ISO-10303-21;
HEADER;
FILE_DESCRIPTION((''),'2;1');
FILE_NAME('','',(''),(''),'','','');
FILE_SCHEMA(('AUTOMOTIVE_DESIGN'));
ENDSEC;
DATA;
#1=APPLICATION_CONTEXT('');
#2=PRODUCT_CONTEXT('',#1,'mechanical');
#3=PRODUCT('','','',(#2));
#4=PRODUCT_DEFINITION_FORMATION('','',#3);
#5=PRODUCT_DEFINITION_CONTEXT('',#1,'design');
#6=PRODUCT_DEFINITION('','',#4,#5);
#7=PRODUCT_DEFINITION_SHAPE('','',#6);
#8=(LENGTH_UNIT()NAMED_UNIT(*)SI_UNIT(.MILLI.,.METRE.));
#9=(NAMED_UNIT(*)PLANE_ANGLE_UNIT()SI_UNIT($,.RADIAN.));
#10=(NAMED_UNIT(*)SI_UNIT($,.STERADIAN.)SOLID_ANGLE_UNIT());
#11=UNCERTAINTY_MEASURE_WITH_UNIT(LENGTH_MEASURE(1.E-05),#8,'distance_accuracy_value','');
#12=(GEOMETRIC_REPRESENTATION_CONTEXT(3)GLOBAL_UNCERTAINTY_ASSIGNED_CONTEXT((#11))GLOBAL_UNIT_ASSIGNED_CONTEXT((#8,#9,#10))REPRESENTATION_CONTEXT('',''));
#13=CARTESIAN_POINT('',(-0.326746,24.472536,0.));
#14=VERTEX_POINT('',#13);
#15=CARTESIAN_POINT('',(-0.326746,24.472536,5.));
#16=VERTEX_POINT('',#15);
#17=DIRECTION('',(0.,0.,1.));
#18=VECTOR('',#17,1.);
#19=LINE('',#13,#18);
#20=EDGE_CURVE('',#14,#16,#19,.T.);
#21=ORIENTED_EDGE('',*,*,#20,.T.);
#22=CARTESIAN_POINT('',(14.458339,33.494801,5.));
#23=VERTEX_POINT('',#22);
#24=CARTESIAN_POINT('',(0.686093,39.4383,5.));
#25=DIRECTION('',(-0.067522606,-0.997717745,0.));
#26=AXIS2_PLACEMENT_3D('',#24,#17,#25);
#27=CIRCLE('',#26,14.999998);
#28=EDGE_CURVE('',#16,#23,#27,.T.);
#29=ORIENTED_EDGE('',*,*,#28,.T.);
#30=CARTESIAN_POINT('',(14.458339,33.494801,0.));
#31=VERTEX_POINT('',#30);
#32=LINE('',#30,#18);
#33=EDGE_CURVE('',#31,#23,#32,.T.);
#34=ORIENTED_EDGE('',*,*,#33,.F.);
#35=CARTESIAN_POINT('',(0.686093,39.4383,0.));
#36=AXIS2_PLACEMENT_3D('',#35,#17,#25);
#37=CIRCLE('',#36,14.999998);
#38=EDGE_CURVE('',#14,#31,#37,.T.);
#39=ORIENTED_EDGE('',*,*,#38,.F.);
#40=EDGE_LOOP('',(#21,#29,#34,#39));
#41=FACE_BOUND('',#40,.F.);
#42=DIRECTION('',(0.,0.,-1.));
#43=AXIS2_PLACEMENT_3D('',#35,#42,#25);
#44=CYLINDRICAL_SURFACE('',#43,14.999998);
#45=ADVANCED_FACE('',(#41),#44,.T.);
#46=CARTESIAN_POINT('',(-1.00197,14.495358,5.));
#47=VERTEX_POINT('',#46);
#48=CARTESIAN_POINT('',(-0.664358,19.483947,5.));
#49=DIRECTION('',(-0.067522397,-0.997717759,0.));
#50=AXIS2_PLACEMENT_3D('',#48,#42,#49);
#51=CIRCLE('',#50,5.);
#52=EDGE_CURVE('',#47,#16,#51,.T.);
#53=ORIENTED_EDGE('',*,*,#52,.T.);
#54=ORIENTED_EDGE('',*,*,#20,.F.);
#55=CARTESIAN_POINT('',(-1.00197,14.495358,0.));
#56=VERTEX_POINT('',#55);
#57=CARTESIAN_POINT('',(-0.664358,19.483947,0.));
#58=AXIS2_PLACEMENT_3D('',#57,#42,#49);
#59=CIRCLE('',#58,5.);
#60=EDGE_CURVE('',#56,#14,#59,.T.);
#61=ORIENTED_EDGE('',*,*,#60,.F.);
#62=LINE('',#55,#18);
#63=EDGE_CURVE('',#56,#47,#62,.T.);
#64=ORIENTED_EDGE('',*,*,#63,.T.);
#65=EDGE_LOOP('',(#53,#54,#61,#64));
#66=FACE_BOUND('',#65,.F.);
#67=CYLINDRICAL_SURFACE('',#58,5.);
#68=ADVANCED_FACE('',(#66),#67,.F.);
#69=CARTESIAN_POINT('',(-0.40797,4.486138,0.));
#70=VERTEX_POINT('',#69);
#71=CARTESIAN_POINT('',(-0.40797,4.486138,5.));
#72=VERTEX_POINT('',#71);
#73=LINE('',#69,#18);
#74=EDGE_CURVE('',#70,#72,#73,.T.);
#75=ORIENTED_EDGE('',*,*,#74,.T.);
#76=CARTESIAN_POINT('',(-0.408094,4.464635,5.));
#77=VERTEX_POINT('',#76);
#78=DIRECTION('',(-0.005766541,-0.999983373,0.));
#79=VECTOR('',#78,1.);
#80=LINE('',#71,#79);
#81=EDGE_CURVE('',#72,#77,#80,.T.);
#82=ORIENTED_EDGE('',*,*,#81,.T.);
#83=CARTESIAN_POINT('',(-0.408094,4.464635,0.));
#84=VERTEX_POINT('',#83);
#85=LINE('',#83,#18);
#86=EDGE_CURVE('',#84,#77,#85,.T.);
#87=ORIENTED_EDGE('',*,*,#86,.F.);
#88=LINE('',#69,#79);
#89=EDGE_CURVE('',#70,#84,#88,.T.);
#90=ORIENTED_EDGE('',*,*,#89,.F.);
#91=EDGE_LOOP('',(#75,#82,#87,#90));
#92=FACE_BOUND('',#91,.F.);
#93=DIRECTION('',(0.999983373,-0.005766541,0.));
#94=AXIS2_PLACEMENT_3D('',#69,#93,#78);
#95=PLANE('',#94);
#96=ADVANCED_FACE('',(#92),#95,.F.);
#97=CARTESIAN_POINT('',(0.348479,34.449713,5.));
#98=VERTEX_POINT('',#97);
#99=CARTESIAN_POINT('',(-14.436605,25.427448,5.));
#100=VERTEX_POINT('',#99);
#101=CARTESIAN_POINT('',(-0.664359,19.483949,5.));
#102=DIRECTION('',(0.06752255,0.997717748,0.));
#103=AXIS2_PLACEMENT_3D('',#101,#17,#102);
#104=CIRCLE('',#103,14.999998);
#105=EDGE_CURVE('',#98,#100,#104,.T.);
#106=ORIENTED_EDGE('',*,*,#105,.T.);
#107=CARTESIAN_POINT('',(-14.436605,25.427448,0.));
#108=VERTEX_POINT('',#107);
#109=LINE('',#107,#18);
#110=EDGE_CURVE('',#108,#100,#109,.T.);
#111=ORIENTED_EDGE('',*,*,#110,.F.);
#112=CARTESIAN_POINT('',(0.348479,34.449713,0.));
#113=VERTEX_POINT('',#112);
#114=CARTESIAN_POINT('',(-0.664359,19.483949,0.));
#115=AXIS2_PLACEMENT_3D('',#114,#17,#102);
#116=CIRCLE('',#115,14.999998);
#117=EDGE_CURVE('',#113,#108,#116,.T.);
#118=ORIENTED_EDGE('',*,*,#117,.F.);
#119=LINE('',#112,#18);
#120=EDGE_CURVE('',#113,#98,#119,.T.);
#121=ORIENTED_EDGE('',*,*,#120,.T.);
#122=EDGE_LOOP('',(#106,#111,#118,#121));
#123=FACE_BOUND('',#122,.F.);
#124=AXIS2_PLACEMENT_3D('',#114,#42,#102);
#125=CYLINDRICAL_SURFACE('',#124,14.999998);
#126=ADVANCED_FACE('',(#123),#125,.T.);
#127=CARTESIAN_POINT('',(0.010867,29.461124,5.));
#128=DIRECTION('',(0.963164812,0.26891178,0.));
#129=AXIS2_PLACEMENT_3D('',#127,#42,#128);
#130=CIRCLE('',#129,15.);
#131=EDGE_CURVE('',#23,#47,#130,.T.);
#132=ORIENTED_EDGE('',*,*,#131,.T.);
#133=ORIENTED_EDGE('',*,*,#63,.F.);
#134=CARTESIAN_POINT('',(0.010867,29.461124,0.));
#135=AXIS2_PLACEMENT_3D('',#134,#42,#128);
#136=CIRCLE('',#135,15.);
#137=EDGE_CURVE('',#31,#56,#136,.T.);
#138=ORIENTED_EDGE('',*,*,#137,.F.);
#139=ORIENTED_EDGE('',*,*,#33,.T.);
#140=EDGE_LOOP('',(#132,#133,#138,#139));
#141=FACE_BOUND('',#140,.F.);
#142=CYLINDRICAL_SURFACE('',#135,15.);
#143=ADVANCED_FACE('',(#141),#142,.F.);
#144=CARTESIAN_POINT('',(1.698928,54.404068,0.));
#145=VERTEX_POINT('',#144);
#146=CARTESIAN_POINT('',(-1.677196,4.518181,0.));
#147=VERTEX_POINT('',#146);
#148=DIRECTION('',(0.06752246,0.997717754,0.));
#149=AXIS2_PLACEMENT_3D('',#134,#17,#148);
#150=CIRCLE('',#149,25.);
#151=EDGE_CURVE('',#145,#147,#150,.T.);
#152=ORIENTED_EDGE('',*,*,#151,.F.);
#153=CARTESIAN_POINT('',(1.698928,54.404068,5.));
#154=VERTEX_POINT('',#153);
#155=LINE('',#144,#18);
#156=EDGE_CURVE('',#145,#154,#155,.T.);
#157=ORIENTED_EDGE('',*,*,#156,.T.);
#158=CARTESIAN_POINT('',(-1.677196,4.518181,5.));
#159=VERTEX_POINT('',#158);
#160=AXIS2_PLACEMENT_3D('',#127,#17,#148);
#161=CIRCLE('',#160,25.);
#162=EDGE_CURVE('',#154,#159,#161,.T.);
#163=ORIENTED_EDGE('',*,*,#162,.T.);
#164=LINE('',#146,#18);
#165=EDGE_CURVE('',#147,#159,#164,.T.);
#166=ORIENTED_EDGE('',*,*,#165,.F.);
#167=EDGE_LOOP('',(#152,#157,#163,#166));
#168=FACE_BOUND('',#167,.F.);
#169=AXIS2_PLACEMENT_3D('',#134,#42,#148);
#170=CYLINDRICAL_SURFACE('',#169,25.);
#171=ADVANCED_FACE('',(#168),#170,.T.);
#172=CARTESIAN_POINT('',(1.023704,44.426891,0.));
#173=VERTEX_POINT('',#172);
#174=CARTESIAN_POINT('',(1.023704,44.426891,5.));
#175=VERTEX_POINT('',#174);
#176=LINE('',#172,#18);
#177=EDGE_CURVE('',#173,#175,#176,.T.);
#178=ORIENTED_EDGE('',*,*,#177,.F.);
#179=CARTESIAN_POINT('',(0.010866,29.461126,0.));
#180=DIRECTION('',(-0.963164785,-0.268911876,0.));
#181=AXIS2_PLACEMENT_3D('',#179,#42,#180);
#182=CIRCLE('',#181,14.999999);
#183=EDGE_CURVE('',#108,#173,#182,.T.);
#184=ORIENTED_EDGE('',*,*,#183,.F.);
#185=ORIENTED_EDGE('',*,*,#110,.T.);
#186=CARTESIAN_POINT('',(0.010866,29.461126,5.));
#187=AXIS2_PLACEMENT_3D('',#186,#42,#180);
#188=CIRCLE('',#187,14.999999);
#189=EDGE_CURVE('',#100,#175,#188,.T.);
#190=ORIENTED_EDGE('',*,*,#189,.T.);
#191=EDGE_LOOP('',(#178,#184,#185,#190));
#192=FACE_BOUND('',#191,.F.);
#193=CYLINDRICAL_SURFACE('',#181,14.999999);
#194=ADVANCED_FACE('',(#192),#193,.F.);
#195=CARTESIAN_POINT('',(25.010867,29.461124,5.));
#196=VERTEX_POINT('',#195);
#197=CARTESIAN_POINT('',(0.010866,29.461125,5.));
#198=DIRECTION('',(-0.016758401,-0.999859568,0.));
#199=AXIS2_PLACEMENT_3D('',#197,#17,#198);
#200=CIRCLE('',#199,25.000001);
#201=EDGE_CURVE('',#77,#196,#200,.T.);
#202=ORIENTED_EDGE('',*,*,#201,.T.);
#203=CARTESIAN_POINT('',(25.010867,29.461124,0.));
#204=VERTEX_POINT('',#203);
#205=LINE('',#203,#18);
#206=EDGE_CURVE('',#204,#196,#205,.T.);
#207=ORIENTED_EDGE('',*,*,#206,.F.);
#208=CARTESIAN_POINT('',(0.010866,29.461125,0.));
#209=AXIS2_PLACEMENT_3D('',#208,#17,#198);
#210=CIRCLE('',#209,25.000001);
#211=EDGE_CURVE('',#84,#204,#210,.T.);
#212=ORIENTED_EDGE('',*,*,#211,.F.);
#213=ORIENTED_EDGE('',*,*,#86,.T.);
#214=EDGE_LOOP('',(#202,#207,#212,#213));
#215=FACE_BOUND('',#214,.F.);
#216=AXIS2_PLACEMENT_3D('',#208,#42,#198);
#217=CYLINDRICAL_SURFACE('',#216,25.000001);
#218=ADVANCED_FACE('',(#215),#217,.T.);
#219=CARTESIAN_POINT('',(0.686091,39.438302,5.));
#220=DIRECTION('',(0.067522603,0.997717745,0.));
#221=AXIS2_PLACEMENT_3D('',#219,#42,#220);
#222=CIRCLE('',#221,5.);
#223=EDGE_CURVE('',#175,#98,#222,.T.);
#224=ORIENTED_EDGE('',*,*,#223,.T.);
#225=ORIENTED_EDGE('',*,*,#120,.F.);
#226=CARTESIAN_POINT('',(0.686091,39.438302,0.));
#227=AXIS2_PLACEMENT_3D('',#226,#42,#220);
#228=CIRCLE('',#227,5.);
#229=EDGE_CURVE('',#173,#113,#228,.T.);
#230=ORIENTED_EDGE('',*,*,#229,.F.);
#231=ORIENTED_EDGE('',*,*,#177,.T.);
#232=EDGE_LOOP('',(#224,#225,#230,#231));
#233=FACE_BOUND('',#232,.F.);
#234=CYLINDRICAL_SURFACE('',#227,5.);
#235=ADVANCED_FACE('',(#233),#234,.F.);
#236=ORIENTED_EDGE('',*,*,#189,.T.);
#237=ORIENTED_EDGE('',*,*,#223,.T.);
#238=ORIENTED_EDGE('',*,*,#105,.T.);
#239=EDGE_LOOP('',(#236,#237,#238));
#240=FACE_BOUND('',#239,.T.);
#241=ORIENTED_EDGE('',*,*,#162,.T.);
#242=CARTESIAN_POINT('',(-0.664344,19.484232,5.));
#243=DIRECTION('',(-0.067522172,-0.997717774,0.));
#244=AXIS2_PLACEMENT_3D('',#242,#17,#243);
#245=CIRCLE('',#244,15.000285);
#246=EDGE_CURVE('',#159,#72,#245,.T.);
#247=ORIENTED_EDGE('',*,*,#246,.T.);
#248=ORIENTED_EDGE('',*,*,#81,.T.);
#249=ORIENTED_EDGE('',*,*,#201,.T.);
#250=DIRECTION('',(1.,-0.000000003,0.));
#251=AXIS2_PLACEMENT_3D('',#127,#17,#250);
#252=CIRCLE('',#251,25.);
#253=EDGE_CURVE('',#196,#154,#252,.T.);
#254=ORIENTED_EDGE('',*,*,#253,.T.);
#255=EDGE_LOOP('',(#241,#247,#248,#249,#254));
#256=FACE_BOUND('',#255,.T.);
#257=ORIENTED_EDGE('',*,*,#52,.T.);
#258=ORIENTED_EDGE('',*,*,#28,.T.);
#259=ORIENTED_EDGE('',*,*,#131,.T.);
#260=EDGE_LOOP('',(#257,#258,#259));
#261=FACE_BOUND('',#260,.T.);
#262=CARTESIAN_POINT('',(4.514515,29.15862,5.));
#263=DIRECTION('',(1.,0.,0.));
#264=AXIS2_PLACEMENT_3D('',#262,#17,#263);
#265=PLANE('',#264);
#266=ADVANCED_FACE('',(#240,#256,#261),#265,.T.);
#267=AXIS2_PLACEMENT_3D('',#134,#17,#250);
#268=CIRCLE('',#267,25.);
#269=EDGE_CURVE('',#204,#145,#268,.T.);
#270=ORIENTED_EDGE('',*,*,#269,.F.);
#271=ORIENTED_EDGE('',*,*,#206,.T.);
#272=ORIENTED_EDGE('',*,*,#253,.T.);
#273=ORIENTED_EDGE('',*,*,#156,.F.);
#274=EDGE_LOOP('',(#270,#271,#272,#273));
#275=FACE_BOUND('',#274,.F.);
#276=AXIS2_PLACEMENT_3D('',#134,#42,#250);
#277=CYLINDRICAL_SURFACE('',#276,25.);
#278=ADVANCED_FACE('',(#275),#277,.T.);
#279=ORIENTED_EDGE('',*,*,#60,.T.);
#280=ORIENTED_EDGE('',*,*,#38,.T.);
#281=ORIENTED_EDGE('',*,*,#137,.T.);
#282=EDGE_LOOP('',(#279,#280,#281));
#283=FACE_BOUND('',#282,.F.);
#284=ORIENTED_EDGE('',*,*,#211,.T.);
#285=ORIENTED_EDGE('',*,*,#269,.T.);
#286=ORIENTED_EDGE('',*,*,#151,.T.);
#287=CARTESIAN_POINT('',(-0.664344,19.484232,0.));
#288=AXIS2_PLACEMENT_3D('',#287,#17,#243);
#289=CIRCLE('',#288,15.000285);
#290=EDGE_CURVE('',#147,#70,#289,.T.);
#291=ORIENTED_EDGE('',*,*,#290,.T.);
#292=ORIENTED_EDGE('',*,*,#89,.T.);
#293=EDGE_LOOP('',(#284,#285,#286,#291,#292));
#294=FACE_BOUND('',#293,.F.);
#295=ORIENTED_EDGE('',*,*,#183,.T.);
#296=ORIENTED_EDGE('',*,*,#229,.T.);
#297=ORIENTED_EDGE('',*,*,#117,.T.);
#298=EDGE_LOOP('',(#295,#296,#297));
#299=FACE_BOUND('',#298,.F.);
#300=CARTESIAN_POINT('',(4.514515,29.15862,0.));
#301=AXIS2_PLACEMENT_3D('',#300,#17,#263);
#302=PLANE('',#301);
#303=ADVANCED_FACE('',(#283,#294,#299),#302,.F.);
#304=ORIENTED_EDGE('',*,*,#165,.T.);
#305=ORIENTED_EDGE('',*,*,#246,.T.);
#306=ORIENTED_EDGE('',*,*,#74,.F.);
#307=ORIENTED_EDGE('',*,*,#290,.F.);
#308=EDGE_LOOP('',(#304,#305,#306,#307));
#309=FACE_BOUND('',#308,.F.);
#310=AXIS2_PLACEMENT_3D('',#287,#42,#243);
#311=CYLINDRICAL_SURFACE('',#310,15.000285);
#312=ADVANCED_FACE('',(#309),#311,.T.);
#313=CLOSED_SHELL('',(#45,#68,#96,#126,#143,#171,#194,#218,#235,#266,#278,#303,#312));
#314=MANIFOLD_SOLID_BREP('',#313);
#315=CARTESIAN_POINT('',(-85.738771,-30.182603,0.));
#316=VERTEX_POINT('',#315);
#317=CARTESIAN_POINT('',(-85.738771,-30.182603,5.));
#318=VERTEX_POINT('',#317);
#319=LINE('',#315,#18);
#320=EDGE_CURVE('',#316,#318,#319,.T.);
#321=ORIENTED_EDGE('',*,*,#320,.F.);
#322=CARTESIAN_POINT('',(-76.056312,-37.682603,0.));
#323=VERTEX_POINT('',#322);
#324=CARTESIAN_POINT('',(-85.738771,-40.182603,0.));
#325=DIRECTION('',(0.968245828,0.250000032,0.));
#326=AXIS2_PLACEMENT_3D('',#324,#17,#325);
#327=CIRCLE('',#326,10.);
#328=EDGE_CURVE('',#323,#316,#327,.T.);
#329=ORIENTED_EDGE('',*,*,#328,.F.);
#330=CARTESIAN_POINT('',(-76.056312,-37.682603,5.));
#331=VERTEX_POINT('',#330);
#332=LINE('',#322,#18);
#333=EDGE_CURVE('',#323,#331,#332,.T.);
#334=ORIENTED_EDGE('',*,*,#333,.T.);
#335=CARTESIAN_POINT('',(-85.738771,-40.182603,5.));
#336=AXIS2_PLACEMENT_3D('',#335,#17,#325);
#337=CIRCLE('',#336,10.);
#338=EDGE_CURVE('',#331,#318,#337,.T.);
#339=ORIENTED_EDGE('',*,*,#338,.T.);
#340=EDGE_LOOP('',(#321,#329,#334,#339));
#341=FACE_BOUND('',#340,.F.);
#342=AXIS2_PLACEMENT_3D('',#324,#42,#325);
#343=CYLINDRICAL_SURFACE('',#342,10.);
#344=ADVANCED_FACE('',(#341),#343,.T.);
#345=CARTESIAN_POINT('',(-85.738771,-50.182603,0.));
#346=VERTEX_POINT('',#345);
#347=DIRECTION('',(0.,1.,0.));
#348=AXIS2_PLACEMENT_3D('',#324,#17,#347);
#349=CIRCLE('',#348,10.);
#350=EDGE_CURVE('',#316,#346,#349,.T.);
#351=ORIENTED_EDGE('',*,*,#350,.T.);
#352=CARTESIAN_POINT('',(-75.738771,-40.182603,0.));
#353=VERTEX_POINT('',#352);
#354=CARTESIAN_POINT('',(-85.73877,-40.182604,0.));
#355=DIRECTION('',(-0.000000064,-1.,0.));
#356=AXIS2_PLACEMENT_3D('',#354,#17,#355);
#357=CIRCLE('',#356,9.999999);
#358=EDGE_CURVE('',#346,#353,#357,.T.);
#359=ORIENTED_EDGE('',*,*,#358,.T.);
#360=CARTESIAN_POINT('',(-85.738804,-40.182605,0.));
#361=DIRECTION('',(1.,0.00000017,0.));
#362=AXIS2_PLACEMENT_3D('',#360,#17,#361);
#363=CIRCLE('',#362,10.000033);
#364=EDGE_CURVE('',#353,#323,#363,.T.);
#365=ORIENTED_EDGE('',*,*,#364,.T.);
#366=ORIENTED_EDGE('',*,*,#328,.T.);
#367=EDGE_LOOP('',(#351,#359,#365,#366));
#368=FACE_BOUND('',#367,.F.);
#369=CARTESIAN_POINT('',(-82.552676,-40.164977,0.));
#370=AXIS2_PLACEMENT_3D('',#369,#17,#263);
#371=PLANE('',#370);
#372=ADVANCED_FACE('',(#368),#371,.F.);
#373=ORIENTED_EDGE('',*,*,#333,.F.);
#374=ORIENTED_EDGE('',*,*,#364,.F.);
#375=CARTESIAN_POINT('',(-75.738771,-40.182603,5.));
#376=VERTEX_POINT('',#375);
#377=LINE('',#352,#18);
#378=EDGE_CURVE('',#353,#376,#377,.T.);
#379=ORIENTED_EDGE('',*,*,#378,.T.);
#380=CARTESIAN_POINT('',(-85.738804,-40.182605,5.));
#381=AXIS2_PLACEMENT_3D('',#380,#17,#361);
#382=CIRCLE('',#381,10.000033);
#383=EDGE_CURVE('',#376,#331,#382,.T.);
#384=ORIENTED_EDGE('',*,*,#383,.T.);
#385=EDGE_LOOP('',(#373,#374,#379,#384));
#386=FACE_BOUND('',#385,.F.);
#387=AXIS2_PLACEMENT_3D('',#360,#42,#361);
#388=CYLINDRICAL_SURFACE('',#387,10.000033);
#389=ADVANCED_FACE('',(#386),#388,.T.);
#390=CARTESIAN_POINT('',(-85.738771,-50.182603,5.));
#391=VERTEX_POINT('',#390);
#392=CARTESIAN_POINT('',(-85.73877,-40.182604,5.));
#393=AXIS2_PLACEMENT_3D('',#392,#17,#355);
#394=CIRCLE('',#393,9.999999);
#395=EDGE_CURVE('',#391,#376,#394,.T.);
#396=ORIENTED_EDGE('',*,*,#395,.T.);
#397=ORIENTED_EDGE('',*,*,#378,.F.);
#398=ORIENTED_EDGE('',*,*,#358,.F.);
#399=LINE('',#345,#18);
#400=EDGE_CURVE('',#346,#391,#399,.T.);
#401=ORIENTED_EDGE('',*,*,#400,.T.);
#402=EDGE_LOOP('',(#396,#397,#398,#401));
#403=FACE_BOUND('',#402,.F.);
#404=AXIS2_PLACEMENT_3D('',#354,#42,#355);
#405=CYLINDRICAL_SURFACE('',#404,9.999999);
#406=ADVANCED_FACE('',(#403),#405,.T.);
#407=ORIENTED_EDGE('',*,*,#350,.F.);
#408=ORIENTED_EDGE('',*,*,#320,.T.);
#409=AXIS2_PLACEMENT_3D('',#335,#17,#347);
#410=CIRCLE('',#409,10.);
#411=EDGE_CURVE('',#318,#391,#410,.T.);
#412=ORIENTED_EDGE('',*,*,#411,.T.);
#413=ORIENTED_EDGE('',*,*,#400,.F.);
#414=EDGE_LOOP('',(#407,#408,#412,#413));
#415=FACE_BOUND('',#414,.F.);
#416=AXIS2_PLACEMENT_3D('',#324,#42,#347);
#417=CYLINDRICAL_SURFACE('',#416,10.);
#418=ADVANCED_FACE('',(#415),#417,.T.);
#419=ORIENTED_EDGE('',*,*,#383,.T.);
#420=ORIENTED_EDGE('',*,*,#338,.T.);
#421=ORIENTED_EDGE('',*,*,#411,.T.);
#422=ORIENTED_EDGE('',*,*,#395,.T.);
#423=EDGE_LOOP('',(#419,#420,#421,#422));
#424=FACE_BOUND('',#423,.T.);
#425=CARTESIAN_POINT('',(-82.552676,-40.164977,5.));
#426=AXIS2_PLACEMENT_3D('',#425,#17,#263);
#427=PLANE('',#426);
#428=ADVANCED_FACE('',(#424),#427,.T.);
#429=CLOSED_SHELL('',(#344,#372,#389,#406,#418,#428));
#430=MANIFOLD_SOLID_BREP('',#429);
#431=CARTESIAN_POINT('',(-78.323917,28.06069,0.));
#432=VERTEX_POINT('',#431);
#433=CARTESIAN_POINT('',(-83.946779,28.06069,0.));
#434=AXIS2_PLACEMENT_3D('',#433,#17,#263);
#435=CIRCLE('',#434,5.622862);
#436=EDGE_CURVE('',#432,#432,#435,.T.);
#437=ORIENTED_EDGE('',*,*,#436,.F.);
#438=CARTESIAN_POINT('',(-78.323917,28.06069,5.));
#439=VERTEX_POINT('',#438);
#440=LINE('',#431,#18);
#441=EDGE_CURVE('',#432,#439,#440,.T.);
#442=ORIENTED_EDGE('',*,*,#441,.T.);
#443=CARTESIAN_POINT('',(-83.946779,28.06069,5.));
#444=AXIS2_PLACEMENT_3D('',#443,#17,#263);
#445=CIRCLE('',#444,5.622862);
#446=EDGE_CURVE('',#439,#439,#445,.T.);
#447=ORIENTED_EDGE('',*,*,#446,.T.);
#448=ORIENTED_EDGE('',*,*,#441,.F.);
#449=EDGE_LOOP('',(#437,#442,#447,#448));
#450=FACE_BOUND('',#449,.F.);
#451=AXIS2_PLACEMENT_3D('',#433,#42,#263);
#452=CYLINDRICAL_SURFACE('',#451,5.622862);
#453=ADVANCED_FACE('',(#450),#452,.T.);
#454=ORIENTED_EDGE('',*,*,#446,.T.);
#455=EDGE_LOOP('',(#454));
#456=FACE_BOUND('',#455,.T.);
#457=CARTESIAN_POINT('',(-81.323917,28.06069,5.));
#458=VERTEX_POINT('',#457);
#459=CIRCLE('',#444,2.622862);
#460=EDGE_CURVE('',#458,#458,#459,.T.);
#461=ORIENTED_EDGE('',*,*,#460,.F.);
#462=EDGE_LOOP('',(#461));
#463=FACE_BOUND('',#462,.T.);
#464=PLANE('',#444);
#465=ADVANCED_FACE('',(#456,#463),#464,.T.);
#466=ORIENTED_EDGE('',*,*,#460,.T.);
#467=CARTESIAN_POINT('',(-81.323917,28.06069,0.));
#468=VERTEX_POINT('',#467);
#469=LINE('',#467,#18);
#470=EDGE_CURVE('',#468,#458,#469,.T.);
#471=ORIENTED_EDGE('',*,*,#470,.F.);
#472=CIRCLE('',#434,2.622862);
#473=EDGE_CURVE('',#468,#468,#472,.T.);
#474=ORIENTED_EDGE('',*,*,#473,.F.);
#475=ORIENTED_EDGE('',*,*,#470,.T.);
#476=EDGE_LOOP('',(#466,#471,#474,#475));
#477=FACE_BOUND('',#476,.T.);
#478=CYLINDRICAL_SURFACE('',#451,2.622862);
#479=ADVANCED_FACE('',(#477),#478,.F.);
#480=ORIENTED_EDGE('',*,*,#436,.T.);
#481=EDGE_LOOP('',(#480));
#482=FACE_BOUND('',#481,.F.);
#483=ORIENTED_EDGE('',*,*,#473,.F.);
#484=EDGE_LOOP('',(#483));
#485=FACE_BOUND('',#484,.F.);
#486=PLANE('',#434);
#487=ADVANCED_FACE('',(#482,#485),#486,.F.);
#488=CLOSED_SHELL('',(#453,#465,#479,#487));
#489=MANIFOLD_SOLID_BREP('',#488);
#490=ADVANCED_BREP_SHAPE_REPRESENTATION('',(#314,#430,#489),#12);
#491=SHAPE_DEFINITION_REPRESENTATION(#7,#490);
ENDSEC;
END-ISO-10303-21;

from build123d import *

# Parameters (mm, degrees)
F0_R     = 5.622862
F0_R_2   = 2.622862
F1_DEPTH = 5


with BuildPart() as f1:
    # F0 (on Top) → F1 (new body)
    with BuildSketch(Plane.XY):
        with Locations((-83.946779, 28.06069)):
            Circle(F0_R)
        with Locations((-83.946779, 28.06069)):
            Circle(F0_R_2, mode=Mode.SUBTRACT)
        with BuildLine():
            ThreePointArc((-76.056312, -37.682603), (-79.615046, -32.276909), (-85.738771, -30.182603))
            ThreePointArc((-85.738771, -30.182603), (-80.738771, -35.182603), (-85.738771, -40.182603))
            ThreePointArc((-85.738771, -40.182603), (-90.738771, -45.182603), (-85.738771, -50.182603))
            ThreePointArc((-85.738771, -50.182603), (-78.667703, -47.253671), (-75.738771, -40.182603))
            ThreePointArc((-75.738771, -40.182603), (-75.818474, -38.92256), (-76.056312, -37.682603))
        make_face()
        with BuildLine():
            ThreePointArc((-85.738771, -40.182603), (-80.738771, -35.182603), (-85.738771, -30.182603))
            ThreePointArc((-85.738771, -30.182603), (-95.738771, -40.182603), (-85.738771, -50.182603))
            ThreePointArc((-85.738771, -50.182603), (-90.738771, -45.182603), (-85.738771, -40.182603))
        make_face()
        with BuildLine():
            ThreePointArc((15.429841, 42.199068), (17.8063, 20.333006), (-1.339583, 9.506769))
            ThreePointArc((-1.339583, 9.506769), (-10.641535, 20.159172), (0.010867, 29.461124))
            ThreePointArc((0.010867, 29.461124), (10.663269, 38.763077), (1.361316, 49.41548))
            ThreePointArc((1.361316, 49.41548), (-17.784567, 38.589243), (-15.408108, 16.723181))
            ThreePointArc((-15.408108, 16.723181), (-10.629699, 8.272704), (-1.677196, 4.518181))
            ThreePointArc((-1.677196, 4.518181), (-1.042922, 4.488725), (-0.40797, 4.486138))
            Line((-0.40797, 4.486138), (-0.408094, 4.464635))
            ThreePointArc((-0.408094, 4.464635), (17.539785, 11.635945), (25.010867, 29.461124))
            ThreePointArc((25.010867, 29.461124), (18.275608, 46.531544), (1.698928, 54.404068))
            ThreePointArc((1.698928, 54.404068), (10.651432, 50.649546), (15.429841, 42.199068))
        make_face()
        with BuildLine():
            ThreePointArc((0.348479, 34.449713), (-8.477869, 32.288206), (-14.436605, 25.427448))
            ThreePointArc((-14.436605, 25.427448), (-11.623869, 38.928592), (1.023704, 44.426891))
            ThreePointArc((1.023704, 44.426891), (5.67468, 39.10069), (0.348479, 34.449713))
        make_face(mode=Mode.SUBTRACT)
        with BuildLine():
            ThreePointArc((0.010867, 29.461124), (-10.641535, 20.159172), (-1.339583, 9.506769))
            ThreePointArc((-1.339583, 9.506769), (17.8063, 20.333006), (15.429841, 42.199068))
            ThreePointArc((15.429841, 42.199068), (10.651432, 50.649546), (1.698928, 54.404068))
            ThreePointArc((1.698928, 54.404068), (-24.932077, 31.149186), (-1.677196, 4.518181))
            ThreePointArc((-1.677196, 4.518181), (-10.629699, 8.272704), (-15.408108, 16.723181))
            ThreePointArc((-15.408108, 16.723181), (-17.784567, 38.589243), (1.361316, 49.41548))
            ThreePointArc((1.361316, 49.41548), (10.663269, 38.763077), (0.010867, 29.461124))
        make_face()
        with BuildLine():
            ThreePointArc((-0.326746, 24.472536), (8.499603, 26.634043), (14.458339, 33.494801))
            ThreePointArc((14.458339, 33.494801), (11.645602, 19.993657), (-1.00197, 14.495358))
            ThreePointArc((-1.00197, 14.495358), (-5.652947, 19.821559), (-0.326746, 24.472536))
        make_face(mode=Mode.SUBTRACT)
    extrude(amount=F1_DEPTH)


solid = f1.part
